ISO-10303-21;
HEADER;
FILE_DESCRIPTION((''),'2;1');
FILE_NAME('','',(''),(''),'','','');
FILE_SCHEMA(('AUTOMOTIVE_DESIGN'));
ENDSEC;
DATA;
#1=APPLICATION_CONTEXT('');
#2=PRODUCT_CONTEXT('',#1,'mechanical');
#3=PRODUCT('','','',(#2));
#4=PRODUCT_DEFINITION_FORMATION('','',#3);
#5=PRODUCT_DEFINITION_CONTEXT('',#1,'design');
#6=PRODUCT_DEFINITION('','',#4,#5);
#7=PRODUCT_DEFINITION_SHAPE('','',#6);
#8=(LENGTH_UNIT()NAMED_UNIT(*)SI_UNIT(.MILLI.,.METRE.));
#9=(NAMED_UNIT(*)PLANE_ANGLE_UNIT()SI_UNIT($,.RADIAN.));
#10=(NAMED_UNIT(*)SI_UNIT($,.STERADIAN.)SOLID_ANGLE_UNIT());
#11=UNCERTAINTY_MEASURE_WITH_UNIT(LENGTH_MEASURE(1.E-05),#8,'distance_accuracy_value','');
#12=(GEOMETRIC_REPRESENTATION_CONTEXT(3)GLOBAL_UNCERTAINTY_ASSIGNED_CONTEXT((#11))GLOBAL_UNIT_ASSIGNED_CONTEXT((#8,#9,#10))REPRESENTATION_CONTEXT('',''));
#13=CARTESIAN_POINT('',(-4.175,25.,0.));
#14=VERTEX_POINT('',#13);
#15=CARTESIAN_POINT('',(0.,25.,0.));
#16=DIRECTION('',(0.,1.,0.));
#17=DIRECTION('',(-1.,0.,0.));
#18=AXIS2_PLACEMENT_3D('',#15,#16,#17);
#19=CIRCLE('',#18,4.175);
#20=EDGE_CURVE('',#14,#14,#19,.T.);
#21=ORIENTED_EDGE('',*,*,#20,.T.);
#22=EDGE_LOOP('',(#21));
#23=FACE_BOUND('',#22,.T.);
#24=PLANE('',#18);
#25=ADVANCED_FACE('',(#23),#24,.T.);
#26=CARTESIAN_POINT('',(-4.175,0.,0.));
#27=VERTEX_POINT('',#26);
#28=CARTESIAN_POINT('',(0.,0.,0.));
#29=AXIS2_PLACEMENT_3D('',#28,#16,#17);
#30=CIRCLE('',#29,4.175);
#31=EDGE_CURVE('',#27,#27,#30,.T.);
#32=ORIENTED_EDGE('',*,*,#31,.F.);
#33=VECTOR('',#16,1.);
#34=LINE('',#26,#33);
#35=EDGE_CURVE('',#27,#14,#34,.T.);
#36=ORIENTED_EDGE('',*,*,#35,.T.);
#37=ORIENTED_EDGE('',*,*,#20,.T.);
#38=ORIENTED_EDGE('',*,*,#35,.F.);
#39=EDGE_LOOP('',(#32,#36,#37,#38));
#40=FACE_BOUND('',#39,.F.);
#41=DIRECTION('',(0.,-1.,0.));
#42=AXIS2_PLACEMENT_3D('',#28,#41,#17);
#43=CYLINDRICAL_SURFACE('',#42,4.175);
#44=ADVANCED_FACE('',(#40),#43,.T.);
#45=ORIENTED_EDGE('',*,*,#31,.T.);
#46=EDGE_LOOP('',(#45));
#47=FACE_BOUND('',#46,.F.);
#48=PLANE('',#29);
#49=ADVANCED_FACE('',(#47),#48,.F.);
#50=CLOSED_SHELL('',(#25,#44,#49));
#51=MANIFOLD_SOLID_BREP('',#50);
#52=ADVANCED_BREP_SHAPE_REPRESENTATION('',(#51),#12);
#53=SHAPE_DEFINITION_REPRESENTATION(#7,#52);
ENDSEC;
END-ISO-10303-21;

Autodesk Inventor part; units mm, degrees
ref_plane "YZ Plane" through (0, 0, 0) normal (1, 0, 0) x (0, 1, 0)
ref_plane "XZ Plane" through (0, 0, 0) normal (0, 1, 0) x (-1, 0, 0)
ref_plane "XY Plane" through (0, 0, 0) normal (0, 0, 1) x (1, 0, 0)
sketch "Sketch1" plane through (0, 0, 0) normal (0, 1, 0) x (-1, 0, 0)
  circle A0 centre (0, 0) radius 4.175
  dimension "d0" = 8.35
extrude "Extrusion1" add sketch "Sketch1" along normal blind 25
properties part number "Connector"
